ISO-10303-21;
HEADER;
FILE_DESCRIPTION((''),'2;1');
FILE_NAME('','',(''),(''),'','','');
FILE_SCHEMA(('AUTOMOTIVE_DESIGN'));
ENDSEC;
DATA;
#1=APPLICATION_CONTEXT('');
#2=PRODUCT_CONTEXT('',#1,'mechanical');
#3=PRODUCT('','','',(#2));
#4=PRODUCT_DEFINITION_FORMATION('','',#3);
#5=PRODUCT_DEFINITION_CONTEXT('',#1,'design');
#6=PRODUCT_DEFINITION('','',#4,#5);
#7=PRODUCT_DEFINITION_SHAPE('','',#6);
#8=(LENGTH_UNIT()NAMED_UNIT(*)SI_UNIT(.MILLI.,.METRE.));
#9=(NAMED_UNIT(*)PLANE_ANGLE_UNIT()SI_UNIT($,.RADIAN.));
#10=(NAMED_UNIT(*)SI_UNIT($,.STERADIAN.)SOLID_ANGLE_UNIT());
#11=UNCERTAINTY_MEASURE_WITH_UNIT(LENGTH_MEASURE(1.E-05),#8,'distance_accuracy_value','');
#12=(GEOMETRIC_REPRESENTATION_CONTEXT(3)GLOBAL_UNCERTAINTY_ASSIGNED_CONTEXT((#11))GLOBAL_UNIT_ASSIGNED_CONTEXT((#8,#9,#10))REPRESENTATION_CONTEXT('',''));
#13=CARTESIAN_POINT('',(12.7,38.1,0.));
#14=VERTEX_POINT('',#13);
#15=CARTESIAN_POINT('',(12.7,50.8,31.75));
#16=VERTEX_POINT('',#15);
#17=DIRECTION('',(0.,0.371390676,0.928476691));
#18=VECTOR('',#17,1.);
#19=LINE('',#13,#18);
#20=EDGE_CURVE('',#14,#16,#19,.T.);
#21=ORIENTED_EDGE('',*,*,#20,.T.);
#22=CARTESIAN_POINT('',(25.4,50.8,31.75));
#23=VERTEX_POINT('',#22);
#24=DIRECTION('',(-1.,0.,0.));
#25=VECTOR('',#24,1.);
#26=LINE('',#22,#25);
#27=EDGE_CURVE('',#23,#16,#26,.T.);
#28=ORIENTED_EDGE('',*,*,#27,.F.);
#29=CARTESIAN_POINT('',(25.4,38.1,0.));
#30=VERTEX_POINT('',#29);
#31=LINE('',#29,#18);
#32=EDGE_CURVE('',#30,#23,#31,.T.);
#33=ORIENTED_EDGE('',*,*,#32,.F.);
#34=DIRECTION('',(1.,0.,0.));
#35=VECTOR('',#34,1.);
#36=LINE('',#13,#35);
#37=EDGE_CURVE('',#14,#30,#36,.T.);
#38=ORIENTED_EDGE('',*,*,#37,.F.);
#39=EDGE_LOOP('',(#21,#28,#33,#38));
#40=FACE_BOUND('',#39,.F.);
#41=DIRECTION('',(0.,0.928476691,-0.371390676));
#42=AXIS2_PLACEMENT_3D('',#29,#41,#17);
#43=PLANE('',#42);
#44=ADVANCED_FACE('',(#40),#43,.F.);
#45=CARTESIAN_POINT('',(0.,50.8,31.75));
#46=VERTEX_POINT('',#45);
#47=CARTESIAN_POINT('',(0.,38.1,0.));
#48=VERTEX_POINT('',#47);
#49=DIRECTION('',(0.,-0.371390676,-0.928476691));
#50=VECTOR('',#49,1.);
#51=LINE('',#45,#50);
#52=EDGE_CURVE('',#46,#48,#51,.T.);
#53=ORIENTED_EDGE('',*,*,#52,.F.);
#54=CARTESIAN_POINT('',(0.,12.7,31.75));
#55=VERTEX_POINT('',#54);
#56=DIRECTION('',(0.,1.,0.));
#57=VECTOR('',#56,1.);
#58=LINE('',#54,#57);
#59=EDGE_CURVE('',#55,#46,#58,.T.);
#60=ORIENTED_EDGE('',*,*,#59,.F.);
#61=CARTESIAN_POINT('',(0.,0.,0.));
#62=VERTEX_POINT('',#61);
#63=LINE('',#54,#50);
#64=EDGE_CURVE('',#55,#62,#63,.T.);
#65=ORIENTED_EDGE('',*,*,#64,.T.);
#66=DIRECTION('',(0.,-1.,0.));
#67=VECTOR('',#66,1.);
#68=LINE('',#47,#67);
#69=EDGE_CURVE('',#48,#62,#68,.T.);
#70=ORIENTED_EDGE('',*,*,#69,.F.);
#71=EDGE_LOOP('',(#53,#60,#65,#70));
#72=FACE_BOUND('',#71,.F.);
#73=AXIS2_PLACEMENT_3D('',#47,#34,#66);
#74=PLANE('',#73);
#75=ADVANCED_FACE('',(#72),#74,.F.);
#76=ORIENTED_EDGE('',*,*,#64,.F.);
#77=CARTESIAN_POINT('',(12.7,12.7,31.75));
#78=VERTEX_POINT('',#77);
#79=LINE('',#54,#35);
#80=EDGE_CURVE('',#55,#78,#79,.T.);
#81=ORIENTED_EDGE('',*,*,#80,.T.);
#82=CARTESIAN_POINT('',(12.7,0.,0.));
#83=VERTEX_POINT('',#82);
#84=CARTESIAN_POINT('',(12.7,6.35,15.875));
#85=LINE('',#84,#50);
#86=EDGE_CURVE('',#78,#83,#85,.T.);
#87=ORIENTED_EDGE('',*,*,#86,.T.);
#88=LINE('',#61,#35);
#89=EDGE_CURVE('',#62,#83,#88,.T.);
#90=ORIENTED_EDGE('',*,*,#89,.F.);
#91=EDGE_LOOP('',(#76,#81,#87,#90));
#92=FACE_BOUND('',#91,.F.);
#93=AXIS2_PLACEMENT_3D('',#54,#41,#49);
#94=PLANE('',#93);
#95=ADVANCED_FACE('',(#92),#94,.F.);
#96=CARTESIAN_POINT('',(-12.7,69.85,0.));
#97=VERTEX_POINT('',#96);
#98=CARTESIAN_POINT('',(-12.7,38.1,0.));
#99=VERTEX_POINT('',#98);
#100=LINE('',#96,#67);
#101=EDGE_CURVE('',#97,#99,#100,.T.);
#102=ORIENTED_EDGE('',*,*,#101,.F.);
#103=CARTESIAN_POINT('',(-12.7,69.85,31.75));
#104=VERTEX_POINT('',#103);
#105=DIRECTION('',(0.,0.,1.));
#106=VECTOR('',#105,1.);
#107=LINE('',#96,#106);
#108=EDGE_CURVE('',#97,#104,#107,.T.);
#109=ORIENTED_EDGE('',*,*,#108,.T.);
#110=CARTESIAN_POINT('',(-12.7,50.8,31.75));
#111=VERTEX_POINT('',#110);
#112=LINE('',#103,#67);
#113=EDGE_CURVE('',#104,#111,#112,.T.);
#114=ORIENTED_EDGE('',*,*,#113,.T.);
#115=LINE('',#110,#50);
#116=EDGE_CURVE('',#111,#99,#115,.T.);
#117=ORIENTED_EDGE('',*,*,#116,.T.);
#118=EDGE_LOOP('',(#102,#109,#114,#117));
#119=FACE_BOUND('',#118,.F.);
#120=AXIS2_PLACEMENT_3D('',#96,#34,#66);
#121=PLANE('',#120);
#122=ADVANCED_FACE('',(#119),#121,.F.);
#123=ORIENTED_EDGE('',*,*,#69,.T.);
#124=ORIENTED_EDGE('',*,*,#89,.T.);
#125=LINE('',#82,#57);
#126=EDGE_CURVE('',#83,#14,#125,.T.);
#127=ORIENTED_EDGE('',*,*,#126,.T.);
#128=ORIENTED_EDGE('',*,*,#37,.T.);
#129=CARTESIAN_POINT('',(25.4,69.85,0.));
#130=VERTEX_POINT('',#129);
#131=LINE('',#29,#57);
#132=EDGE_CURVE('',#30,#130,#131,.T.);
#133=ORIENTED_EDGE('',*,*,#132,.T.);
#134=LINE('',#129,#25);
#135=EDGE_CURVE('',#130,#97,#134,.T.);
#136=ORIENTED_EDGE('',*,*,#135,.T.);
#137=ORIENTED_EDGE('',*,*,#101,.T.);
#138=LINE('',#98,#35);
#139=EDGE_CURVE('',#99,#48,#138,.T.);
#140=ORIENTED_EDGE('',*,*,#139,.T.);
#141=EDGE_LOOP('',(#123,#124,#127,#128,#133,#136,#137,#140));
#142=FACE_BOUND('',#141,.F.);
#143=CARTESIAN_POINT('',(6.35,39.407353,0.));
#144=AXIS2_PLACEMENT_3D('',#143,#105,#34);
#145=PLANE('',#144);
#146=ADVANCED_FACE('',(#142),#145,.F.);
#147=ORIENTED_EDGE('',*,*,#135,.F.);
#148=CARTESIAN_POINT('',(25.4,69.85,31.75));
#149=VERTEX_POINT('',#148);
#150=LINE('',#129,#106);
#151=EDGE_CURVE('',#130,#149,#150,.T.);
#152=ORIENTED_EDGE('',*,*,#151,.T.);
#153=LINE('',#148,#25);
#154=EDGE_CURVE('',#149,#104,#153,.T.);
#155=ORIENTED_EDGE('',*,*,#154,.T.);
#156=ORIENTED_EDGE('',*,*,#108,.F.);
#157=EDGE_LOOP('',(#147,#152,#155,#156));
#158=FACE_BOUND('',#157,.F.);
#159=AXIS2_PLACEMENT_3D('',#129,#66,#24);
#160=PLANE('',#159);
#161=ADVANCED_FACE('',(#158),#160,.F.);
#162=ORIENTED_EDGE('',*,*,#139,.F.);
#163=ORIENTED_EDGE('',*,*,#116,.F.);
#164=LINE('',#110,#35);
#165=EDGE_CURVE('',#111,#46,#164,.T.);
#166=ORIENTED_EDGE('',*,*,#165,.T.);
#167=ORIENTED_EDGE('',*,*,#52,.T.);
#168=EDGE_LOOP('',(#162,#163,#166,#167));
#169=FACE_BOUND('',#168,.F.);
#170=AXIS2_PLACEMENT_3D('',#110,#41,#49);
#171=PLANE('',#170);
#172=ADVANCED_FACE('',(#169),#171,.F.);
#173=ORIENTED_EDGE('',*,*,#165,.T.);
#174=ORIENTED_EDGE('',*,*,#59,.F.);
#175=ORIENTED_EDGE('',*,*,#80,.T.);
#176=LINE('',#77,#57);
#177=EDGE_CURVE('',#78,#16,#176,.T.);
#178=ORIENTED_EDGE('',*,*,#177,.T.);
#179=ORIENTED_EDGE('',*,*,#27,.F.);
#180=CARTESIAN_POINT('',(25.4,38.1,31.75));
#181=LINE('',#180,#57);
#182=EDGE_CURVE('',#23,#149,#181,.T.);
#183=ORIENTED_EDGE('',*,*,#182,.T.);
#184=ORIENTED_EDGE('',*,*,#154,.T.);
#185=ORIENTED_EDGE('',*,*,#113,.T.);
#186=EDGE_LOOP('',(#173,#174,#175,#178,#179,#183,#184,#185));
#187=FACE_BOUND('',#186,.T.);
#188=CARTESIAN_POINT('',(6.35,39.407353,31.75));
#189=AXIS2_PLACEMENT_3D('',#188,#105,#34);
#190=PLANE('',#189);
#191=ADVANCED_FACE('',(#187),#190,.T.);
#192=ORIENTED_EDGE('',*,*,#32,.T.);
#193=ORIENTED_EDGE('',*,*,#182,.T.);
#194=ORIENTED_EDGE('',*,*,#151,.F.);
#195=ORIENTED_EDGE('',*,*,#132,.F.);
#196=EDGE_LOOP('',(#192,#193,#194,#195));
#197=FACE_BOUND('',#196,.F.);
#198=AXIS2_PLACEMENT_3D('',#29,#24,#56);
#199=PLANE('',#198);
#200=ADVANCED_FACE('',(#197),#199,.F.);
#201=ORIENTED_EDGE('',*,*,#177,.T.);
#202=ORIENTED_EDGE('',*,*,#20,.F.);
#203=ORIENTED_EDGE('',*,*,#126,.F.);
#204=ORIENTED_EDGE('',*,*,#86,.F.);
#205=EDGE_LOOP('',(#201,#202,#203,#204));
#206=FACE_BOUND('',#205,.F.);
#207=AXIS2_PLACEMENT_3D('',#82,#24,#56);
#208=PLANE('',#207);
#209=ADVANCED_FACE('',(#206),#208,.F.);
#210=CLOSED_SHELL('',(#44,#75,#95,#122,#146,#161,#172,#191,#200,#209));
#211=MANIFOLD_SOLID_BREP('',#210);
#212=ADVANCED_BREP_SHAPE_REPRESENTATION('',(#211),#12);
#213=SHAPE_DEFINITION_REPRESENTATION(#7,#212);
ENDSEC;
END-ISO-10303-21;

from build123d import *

# Parameters (mm, degrees)
F1_DEPTH = 31.75
F3_DEPTH = 25.4
F5_DEPTH = 12.7
F7_DEPTH = 12.7


with BuildPart() as f1:
    # F0 (on Top) → F1 (new body)
    with BuildSketch(Plane.XY):
        Polygon((0, 38.1), (0, 0), (12.7, 0), (12.7, 38.1), (25.4, 38.1), (25.4, 69.85), (-12.7, 69.85), (-12.7, 38.1), align=None)
    extrude(amount=F1_DEPTH)

    # F2 (on face) → F3 (cut)
    with BuildSketch(Plane(origin=(0, 0, 0), x_dir=(0, -1, 0), z_dir=(-1, 0, 0))):
        Polygon((0, 0), (0, 31.75), (-12.7, 31.75), align=None)
    extrude(amount=-F3_DEPTH, mode=Mode.SUBTRACT)

    # F4 (on face) → F5 (cut)
    with BuildSketch(Plane(origin=(-12.7, 0, 0), x_dir=(0, -1, 0), z_dir=(-1, 0, 0))):
        Polygon((-38.1, 0), (-38.1, 31.75), (-50.8, 31.75), align=None)
    extrude(amount=-F5_DEPTH, mode=Mode.SUBTRACT)

    # F6 (on face) → F7 (cut)
    with BuildSketch(Plane.YZ.offset(25.4)):
        Polygon((50.8, 31.75), (38.1, 31.75), (38.1, 0), align=None)
    extrude(amount=-F7_DEPTH, mode=Mode.SUBTRACT)


solid = f1.part
